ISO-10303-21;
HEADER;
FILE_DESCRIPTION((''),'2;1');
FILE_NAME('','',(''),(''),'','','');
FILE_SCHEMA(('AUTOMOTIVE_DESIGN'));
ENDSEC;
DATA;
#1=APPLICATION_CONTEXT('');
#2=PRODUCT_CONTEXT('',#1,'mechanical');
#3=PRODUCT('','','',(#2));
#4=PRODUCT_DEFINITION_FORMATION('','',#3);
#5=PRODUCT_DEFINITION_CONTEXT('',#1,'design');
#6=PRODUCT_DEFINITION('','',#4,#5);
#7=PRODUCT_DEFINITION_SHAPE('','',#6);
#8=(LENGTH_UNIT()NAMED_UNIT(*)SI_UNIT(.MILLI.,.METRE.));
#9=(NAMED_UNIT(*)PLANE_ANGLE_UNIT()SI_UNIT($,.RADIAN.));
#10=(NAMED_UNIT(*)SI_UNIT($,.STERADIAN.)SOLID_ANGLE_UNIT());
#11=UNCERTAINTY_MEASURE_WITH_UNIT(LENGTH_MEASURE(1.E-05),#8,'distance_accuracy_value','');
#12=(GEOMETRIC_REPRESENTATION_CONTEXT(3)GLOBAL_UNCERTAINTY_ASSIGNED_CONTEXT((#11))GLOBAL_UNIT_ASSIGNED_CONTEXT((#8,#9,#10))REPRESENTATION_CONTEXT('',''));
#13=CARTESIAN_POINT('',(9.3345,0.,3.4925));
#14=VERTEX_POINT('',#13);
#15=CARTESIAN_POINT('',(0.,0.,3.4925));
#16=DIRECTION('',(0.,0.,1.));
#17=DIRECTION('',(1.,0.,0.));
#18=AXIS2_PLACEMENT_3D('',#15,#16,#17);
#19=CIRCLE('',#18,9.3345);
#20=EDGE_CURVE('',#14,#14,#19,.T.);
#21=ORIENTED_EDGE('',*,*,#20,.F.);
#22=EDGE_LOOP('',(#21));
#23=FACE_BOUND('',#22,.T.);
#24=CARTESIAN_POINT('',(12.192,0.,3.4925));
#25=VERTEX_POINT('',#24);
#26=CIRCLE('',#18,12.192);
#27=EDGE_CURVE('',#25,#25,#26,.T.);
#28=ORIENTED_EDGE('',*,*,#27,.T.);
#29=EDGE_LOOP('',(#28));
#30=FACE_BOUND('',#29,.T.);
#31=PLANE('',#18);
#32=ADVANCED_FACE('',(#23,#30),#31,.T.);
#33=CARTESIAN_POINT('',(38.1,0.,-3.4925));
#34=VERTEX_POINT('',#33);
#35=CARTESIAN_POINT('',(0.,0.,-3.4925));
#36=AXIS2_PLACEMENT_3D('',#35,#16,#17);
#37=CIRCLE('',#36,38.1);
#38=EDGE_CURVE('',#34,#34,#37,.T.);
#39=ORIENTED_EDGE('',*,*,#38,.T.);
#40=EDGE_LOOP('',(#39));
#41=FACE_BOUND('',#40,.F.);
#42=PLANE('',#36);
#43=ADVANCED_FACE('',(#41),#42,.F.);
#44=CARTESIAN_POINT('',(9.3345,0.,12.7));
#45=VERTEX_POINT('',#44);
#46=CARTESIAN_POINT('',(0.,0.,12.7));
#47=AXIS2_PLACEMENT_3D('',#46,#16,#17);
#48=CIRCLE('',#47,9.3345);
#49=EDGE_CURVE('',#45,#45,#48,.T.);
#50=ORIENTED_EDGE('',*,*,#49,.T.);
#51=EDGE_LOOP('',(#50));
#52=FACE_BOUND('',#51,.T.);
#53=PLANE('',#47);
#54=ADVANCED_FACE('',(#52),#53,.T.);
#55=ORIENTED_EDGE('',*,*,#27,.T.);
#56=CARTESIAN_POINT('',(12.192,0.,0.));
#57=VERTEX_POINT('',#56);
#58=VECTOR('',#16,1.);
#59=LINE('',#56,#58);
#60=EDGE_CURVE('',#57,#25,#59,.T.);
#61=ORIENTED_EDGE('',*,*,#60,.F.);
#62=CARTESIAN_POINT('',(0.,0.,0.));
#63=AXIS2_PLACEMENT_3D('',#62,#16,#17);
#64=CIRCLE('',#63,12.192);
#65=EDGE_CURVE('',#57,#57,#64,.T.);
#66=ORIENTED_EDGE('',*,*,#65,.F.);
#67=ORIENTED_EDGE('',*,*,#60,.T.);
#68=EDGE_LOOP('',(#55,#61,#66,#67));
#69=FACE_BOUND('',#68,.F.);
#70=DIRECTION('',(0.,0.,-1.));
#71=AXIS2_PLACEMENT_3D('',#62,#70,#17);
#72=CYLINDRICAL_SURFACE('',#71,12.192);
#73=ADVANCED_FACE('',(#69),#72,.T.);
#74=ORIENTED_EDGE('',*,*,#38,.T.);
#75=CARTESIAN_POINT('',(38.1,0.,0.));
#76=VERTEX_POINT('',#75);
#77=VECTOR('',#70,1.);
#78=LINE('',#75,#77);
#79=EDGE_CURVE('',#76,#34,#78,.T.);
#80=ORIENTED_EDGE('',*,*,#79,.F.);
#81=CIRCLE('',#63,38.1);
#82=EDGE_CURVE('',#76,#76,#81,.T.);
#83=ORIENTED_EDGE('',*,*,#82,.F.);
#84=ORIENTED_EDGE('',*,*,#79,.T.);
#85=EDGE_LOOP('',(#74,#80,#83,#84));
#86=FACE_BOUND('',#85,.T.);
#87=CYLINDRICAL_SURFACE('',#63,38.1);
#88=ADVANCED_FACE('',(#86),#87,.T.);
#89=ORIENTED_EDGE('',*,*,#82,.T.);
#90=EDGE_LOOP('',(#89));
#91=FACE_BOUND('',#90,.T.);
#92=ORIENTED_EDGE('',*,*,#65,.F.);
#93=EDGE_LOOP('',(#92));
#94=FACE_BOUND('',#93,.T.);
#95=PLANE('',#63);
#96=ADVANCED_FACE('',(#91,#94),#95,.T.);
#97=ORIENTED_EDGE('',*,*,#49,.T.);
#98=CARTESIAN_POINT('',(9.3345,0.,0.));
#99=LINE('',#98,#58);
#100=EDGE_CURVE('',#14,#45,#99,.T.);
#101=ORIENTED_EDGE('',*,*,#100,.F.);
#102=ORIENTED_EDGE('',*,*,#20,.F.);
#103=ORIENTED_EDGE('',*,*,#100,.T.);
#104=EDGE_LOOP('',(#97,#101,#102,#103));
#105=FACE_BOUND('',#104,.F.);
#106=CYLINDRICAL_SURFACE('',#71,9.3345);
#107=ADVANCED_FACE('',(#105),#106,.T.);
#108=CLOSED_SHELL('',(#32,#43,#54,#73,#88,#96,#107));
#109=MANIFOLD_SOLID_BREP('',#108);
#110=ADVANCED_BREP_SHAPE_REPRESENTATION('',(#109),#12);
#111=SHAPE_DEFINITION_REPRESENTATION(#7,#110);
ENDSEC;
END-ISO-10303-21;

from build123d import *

# Parameters (mm, degrees)
F0_R     = 12.192
F0_R_2   = 9.3345
F1_DEPTH = 3.4925
F2_DEPTH = 12.7
F0_R_3   = 38.1
F3_DEPTH = 3.4925


with BuildPart() as f1:
    # F0 (on Top) → F1 (new body)
    with BuildSketch(Plane.XY):
        Circle(F0_R)
        Circle(F0_R_2, mode=Mode.SUBTRACT)
    extrude(amount=F1_DEPTH)

    # F0 (on Top) → F2 (join)
    with BuildSketch(Plane.XY):
        Circle(F0_R_2)
    extrude(amount=F2_DEPTH)

    # F0 (on Top) → F3 (join)
    with BuildSketch(Plane.XY):
        Circle(F0_R_3)
        Circle(F0_R, mode=Mode.SUBTRACT)
        Circle(F0_R)
        Circle(F0_R_2, mode=Mode.SUBTRACT)
        Circle(F0_R_2)
    extrude(amount=-F3_DEPTH)


solid = f1.part
